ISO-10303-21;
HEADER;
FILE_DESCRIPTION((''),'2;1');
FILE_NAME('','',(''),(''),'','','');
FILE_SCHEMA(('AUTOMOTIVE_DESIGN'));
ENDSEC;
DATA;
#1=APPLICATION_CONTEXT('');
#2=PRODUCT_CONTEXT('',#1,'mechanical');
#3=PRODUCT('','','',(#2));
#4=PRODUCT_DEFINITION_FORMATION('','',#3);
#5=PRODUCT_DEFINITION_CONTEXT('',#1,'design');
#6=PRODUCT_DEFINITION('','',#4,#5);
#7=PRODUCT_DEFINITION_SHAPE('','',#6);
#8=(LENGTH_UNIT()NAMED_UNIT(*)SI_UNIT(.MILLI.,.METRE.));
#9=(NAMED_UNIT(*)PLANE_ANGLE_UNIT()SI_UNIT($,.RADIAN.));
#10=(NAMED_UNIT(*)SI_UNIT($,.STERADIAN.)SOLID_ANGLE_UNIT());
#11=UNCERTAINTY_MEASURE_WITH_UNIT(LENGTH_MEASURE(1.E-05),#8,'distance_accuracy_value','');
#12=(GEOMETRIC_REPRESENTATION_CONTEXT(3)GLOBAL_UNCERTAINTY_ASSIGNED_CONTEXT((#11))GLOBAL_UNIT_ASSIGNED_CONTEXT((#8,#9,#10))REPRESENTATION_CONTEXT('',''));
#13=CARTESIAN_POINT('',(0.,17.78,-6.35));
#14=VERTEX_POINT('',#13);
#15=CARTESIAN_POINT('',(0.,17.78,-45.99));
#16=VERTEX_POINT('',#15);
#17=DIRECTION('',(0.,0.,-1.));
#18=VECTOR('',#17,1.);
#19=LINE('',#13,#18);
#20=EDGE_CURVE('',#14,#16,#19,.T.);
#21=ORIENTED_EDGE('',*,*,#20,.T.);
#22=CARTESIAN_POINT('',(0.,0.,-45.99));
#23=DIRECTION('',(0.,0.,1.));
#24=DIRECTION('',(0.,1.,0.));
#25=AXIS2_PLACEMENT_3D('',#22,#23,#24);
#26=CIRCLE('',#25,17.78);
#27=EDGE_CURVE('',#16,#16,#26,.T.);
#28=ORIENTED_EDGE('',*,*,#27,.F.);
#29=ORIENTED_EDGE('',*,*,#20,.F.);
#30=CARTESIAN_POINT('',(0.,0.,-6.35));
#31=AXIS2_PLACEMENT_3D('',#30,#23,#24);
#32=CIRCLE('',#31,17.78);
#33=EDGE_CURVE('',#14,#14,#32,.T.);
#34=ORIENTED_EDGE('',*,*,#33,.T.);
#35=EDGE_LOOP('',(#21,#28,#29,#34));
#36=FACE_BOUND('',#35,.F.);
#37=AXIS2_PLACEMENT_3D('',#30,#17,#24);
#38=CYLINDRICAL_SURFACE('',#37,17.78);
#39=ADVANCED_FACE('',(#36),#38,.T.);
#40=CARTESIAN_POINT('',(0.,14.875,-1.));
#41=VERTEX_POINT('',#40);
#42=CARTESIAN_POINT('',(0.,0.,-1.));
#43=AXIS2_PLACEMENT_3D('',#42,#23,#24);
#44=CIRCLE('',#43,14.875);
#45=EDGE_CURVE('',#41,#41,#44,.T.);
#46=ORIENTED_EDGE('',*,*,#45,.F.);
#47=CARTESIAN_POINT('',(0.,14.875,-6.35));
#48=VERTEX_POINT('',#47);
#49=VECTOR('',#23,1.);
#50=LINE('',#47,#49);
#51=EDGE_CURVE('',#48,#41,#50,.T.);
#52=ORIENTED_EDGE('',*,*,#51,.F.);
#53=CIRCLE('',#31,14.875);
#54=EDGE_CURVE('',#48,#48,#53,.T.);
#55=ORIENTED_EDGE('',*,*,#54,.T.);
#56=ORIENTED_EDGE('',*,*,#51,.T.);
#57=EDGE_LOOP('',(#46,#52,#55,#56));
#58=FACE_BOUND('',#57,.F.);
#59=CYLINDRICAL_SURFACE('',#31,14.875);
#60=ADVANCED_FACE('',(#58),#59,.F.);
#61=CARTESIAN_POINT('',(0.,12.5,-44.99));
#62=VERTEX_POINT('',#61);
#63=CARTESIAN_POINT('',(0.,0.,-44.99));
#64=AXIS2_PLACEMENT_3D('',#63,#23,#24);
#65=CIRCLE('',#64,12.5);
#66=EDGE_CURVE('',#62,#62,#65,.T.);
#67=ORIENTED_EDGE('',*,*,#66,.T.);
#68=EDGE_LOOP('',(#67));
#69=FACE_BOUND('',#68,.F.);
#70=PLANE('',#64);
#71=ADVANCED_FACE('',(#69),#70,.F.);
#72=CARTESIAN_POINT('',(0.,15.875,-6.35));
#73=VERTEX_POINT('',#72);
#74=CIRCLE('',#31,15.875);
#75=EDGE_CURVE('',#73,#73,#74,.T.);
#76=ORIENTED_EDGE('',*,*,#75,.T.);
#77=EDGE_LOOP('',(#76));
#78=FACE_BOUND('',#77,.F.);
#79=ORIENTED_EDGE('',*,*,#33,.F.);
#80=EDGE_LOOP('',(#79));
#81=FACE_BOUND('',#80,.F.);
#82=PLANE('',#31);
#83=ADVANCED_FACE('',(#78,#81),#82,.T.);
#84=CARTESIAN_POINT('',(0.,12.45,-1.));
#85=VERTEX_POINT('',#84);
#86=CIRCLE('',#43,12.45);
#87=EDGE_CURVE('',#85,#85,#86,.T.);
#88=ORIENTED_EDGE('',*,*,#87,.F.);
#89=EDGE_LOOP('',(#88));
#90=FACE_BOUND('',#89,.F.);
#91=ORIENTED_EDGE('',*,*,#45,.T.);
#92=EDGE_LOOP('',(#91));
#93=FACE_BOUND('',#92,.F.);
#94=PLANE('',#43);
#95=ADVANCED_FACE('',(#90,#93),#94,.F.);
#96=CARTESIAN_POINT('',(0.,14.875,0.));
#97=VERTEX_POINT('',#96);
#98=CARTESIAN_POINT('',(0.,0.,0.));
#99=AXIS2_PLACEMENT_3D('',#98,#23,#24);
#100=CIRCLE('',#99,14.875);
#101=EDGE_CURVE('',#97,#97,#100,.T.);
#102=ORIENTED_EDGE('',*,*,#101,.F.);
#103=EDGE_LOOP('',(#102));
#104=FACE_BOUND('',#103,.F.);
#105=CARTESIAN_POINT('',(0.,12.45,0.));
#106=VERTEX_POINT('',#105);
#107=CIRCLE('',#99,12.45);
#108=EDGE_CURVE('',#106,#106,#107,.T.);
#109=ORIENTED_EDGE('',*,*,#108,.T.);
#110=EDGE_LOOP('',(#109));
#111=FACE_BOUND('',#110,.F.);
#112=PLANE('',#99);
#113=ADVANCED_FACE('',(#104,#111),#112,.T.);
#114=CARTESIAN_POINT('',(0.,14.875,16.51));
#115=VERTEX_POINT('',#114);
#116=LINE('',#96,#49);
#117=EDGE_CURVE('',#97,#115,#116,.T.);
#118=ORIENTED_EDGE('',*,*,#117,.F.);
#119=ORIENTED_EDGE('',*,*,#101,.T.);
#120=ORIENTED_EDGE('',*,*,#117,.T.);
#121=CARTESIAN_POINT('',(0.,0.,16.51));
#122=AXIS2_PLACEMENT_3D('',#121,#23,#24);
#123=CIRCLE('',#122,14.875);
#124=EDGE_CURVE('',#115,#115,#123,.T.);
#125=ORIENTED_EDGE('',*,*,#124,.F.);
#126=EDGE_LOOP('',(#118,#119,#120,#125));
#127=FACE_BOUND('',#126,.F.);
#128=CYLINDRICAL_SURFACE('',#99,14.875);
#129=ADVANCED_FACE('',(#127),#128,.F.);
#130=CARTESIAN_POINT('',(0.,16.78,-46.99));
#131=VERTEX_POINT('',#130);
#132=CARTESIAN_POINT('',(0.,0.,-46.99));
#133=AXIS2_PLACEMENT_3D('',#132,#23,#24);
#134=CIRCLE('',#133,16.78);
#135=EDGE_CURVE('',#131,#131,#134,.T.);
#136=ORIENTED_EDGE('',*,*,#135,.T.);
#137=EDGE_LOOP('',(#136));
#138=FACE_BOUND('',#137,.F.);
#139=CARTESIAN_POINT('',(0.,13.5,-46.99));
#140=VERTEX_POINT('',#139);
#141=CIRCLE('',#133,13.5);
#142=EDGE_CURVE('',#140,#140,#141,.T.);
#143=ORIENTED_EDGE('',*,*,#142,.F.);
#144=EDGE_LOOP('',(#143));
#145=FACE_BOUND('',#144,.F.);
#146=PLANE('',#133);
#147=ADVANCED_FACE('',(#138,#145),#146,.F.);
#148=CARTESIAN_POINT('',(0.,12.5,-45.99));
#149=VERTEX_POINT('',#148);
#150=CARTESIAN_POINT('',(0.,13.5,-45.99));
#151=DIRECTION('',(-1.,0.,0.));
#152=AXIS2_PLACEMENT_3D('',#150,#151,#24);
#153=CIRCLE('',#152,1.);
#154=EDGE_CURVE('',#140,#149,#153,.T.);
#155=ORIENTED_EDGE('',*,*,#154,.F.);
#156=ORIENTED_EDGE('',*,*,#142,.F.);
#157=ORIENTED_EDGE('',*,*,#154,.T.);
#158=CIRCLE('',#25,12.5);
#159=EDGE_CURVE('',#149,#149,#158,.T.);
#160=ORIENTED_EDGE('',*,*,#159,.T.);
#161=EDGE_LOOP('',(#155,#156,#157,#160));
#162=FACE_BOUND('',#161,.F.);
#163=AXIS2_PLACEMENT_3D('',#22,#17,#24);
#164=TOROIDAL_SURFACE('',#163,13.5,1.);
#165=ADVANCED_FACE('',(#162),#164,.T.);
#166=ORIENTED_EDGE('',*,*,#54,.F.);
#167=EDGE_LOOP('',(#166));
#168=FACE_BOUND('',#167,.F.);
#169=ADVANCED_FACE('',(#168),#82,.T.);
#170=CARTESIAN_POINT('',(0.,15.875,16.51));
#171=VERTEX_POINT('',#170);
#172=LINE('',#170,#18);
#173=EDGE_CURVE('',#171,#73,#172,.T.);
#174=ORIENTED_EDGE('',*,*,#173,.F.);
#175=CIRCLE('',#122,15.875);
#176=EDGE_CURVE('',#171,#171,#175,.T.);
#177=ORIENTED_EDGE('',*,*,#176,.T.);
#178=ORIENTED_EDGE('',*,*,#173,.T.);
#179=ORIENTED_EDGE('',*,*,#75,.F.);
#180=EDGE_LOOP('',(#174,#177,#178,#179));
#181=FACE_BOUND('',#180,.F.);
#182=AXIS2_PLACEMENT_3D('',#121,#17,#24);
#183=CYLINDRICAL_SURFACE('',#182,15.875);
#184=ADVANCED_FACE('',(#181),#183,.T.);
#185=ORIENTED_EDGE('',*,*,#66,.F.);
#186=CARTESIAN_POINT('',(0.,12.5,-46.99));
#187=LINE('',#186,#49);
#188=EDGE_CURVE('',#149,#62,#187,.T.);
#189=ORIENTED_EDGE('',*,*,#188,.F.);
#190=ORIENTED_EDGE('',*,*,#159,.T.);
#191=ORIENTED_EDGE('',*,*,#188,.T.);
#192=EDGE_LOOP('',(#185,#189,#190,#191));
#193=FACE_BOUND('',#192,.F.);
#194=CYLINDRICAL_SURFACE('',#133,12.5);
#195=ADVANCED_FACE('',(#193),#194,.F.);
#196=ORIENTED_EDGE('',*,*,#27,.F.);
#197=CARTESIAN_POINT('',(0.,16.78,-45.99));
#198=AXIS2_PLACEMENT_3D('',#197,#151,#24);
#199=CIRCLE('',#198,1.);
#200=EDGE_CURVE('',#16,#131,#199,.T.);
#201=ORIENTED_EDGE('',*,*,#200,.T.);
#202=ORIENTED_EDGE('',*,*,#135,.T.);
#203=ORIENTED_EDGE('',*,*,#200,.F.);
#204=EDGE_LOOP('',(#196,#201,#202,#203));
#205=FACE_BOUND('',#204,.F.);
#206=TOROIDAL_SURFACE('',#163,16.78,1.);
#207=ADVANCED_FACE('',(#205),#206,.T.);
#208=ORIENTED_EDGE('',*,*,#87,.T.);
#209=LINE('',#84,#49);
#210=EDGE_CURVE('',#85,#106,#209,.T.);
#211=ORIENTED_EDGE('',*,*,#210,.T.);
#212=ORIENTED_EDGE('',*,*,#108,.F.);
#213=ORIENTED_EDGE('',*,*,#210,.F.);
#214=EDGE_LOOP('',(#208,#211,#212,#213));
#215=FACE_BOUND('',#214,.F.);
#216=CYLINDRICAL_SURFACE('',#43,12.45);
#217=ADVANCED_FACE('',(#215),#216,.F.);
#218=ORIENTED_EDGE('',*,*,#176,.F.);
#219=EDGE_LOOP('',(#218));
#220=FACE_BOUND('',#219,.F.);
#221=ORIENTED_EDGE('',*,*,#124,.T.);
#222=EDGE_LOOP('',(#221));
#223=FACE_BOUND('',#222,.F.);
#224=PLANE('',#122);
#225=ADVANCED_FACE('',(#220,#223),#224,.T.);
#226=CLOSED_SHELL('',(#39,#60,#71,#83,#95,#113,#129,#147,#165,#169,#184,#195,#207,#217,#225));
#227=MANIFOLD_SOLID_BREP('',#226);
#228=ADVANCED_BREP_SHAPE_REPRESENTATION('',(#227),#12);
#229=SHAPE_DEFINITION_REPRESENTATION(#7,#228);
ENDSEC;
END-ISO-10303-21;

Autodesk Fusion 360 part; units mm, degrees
sketch "Sketch1" plane through (0, 0, 0) normal (1, 0, 0) x (0, 0, -1)
  line L0 (0, 12.45) -> (0, 14.875)
  line L1 (0, 14.875) -> (-16.51, 14.875)
  line L2 (-16.51, 14.875) -> (-16.51, 15.875)
  line L3 (-16.51, 15.875) -> (6.35, 15.875)
  line L4 (6.35, 15.875) -> (6.35, 17.78)
  line L5 (6.35, 17.78) -> (46.99, 17.78)
  line L6 (46.99, 17.78) -> (46.99, 12.5)
  line L7 (46.99, 12.5) -> (44.99, 12.5)
  line L8 (44.99, 12.5) -> (44.99, 0)
  line L9 (44.99, 0) -> (6.35, 0)
  line L10 (6.35, 0) -> (6.35, 14.875)
  line L11 (6.35, 14.875) -> (1, 14.875)
  line L12 (1, 14.875) -> (1, 12.45)
  line L13 (1, 12.45) -> (0, 12.45)
  dimension "d532" = 15.875
  dimension "d533" = 1
  dimension "d534" = 12.45
  dimension "d535" = 14.875
  dimension "d536" = 5.35
  dimension "d537" = 16.51
  dimension "d538" = 17.78
  dimension "d539" = 40.64
  dimension "d540" = 12.5
  dimension "d541" = 2
  dimension "d545" = 0
  dimension "d546" = 0
  dimension "d547" = 0
  dimension "d548" = 0
revolve "Revolve1" add sketch "Sketch1" angle 360 about axis through (0, 0, 1.75) along (0, 0, 1)
fillet "Fillet1" radius 1 2 edges at (-16.5768, 6.4295, -46.99) (-11.6541, 4.5202, -46.99)
equation "d532 = 1.25 in / 2"
properties part number "Eyepiece"
